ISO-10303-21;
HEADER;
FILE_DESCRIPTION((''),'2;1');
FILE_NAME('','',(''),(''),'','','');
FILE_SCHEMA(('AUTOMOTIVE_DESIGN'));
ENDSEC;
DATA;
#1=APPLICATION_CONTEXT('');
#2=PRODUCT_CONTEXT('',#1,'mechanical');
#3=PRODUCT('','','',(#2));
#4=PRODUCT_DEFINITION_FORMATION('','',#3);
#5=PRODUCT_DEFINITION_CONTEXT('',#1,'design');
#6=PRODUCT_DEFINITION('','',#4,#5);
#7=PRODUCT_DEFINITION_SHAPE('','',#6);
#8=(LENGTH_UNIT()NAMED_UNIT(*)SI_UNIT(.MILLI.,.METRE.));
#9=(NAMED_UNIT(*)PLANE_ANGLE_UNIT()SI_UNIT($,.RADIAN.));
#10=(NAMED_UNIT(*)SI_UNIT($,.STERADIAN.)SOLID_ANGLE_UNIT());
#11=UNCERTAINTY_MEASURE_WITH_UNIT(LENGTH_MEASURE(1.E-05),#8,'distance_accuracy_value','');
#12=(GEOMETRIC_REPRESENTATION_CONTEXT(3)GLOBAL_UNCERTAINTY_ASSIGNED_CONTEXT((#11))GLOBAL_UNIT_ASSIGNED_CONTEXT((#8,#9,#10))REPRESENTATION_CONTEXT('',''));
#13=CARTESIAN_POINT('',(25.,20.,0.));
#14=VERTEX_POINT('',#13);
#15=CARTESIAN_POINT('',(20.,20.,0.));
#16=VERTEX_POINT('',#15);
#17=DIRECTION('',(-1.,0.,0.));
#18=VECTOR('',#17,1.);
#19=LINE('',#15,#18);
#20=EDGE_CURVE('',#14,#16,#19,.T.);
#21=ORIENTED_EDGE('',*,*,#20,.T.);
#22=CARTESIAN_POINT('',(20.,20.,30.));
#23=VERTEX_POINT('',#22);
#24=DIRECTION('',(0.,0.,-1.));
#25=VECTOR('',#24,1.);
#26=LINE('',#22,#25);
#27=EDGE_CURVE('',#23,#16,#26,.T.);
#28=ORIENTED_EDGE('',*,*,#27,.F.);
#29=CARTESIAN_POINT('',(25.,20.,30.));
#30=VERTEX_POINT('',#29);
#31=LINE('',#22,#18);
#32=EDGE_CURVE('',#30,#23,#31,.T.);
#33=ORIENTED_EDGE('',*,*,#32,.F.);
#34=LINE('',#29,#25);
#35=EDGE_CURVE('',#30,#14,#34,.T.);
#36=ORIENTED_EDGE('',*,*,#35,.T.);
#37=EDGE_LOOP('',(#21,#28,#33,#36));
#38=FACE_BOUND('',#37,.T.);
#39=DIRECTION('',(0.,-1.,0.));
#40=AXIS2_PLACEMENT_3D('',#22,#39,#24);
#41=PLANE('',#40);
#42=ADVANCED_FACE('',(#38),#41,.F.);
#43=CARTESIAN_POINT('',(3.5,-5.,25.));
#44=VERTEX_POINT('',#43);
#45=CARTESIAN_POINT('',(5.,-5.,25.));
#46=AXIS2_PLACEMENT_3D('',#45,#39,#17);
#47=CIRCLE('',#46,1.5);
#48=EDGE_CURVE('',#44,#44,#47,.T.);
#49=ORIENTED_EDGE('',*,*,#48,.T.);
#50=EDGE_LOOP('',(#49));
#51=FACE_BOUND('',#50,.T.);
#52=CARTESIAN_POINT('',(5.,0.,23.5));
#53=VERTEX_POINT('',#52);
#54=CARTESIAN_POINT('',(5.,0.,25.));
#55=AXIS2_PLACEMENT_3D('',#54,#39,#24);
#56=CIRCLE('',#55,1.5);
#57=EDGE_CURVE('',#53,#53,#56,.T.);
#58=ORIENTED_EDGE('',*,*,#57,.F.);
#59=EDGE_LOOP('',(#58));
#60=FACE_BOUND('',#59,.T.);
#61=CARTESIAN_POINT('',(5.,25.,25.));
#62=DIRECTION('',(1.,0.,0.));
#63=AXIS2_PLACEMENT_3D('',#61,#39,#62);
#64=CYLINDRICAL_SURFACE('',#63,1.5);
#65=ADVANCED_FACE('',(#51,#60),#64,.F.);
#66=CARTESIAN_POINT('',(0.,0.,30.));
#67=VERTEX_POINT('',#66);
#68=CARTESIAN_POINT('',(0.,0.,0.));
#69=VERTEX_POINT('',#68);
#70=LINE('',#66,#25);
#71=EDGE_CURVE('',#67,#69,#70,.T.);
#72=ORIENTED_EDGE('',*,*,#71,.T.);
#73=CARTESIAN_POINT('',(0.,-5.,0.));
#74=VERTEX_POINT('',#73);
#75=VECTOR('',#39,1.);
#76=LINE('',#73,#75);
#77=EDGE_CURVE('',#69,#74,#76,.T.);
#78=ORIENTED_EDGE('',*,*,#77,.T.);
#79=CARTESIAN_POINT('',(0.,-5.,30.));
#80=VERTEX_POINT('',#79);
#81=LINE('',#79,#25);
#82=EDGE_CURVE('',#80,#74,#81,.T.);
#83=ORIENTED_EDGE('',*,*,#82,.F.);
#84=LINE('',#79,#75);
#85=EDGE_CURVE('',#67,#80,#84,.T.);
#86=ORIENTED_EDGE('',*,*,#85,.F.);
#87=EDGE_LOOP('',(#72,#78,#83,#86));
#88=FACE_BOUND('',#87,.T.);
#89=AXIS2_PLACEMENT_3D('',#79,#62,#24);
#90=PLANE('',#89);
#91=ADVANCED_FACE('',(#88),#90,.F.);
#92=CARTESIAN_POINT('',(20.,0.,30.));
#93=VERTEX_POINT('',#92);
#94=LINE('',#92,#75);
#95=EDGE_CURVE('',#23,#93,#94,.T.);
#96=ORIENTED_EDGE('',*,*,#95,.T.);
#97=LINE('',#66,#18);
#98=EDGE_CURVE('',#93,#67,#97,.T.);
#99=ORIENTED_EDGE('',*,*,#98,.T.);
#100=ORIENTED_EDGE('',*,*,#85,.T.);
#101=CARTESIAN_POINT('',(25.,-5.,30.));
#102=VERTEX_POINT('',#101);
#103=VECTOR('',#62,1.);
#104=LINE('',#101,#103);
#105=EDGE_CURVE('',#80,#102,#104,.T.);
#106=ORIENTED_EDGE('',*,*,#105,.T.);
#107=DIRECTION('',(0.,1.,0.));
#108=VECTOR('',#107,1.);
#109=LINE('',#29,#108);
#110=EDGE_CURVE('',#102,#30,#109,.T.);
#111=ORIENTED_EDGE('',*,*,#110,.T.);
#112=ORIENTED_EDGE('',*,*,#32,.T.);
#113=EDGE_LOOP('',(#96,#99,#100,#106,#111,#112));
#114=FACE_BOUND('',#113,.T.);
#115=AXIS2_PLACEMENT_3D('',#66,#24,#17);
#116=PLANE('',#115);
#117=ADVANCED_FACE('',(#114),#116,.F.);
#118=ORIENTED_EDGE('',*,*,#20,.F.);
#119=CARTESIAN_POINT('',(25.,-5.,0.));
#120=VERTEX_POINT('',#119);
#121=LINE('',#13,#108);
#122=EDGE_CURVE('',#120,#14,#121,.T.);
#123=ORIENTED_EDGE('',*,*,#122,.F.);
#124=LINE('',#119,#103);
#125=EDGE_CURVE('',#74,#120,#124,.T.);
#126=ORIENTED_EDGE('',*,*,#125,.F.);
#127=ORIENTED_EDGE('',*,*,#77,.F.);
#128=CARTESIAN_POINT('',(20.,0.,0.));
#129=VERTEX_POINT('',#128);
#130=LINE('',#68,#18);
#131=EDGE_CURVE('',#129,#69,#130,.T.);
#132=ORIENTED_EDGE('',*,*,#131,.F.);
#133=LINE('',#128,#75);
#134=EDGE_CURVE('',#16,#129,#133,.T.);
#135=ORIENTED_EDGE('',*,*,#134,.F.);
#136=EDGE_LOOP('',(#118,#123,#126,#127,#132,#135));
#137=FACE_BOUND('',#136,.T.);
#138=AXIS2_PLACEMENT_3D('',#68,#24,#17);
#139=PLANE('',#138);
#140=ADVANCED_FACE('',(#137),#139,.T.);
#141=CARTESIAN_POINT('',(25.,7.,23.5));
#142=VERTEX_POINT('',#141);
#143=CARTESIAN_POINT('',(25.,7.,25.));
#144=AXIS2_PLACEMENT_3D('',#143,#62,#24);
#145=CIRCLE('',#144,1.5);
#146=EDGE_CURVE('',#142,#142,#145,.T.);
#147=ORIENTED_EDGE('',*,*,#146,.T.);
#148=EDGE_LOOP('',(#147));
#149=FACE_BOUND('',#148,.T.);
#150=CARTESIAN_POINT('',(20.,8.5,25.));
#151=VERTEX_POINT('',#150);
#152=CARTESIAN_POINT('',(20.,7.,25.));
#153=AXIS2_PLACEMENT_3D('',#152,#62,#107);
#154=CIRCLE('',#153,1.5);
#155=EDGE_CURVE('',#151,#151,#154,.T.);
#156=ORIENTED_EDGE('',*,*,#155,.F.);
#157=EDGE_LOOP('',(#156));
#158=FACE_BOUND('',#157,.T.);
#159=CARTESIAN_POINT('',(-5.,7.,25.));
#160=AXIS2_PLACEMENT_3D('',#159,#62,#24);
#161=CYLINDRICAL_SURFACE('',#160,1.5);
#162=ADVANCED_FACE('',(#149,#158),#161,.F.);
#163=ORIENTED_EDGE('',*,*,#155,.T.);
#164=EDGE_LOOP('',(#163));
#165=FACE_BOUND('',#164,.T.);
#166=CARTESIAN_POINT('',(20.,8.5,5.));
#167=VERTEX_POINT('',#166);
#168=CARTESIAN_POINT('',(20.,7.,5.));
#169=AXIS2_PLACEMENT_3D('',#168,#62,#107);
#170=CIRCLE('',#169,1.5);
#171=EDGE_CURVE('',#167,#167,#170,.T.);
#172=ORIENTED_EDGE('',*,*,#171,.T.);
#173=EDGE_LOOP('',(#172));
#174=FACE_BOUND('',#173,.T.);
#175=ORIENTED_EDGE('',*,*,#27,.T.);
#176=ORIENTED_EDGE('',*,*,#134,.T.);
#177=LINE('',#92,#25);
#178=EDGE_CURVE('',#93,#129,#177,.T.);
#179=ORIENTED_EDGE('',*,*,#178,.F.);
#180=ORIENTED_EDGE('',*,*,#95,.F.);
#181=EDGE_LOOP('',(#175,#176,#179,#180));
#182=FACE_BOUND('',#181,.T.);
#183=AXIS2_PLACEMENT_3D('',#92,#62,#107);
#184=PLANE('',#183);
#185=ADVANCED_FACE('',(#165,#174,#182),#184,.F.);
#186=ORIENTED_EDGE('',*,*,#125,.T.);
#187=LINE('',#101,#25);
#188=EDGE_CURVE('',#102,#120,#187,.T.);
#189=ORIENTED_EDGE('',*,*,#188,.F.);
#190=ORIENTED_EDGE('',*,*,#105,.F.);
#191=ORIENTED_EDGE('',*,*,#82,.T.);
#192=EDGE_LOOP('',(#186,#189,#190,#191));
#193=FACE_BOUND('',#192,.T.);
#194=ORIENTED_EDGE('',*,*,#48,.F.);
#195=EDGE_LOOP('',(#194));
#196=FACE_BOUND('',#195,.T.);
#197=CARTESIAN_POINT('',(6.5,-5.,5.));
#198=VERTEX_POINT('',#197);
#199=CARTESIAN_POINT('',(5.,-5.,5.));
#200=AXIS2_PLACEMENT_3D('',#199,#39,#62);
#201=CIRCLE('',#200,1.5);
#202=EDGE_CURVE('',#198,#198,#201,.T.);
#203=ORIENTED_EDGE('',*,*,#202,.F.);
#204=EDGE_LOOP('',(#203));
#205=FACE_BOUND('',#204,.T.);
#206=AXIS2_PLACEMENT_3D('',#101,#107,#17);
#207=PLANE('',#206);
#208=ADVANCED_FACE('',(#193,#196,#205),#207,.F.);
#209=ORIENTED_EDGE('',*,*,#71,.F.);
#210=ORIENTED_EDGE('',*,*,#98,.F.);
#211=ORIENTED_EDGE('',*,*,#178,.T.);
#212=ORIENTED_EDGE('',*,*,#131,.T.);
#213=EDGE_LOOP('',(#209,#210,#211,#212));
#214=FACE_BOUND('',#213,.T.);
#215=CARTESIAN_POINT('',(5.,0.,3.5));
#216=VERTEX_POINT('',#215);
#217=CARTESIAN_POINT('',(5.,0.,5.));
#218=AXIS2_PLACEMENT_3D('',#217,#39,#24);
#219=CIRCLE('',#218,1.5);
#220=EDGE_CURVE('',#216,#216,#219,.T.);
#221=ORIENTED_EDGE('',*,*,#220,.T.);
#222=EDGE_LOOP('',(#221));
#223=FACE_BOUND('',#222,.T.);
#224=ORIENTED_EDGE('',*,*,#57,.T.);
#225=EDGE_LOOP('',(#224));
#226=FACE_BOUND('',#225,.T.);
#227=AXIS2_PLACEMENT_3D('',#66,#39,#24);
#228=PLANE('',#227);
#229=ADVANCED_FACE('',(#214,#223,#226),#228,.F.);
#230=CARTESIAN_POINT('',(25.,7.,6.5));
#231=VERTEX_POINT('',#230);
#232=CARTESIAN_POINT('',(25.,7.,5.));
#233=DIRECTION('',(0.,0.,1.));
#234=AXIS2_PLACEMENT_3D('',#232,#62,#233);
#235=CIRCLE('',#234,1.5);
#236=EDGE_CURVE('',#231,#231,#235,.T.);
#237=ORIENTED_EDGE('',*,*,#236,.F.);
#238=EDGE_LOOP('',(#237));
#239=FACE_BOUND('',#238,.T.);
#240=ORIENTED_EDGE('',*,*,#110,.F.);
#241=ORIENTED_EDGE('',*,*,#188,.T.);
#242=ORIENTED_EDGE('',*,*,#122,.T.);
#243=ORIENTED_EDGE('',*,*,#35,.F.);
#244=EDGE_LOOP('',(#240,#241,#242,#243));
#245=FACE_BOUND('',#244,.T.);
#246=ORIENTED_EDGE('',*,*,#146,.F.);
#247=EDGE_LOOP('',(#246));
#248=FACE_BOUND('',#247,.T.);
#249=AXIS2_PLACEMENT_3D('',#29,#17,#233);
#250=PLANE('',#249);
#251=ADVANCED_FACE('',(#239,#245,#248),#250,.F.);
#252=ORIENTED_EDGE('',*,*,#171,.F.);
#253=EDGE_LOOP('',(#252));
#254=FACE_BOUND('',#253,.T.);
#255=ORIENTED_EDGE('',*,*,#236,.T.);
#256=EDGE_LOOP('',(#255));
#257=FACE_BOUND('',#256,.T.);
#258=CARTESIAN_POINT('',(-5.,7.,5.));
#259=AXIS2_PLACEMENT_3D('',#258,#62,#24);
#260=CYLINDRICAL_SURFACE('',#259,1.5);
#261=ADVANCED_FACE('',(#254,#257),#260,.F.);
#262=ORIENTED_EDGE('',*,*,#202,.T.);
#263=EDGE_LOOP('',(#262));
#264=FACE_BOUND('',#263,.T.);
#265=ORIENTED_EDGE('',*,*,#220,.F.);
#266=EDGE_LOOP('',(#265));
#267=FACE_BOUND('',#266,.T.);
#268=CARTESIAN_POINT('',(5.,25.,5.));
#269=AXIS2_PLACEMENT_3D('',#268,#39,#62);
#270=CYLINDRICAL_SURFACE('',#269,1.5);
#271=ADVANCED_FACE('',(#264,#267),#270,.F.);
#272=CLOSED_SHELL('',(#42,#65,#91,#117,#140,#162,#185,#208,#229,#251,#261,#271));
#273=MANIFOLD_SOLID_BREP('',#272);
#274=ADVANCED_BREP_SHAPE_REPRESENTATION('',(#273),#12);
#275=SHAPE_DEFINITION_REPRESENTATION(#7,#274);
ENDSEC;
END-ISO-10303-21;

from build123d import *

# Parameters (mm, degrees)
SALIENTE_EXTRUIR1_DEPTH = 30
CROQUIS2_R              = 1.5
CORTAR_EXTRUIR1_DEPTH   = 30
CROQUIS3_R              = 1.5
CORTAR_EXTRUIR2_DEPTH   = 30


with BuildPart() as part:
    # Croquis1 → Saliente-Extruir1 (new body)
    with BuildSketch(Plane.XY):
        Polygon((0, 0), (20, 0), (20, 20), (25, 20), (25, -5), (0, -5), align=None)
    extrude(amount=SALIENTE_EXTRUIR1_DEPTH)

    # Croquis2 → Cortar-Extruir1 (cut)
    with BuildSketch(Plane(origin=(25, 0, 0), x_dir=(0, 0, -1), z_dir=(1, 0, 0))):
        with Locations((-25, 7)):
            Circle(CROQUIS2_R)
        with Locations((-5, 7)):
            Circle(CROQUIS2_R)
    extrude(amount=-CORTAR_EXTRUIR1_DEPTH, mode=Mode.SUBTRACT)

    # Croquis3 → Cortar-Extruir2 (cut)
    with BuildSketch(Plane.XZ.offset(5)):
        with Locations((5, 5)):
            Circle(CROQUIS3_R)
        with Locations((5, 25)):
            Circle(CROQUIS3_R)
    extrude(amount=-CORTAR_EXTRUIR2_DEPTH, mode=Mode.SUBTRACT)


solid = part.part
